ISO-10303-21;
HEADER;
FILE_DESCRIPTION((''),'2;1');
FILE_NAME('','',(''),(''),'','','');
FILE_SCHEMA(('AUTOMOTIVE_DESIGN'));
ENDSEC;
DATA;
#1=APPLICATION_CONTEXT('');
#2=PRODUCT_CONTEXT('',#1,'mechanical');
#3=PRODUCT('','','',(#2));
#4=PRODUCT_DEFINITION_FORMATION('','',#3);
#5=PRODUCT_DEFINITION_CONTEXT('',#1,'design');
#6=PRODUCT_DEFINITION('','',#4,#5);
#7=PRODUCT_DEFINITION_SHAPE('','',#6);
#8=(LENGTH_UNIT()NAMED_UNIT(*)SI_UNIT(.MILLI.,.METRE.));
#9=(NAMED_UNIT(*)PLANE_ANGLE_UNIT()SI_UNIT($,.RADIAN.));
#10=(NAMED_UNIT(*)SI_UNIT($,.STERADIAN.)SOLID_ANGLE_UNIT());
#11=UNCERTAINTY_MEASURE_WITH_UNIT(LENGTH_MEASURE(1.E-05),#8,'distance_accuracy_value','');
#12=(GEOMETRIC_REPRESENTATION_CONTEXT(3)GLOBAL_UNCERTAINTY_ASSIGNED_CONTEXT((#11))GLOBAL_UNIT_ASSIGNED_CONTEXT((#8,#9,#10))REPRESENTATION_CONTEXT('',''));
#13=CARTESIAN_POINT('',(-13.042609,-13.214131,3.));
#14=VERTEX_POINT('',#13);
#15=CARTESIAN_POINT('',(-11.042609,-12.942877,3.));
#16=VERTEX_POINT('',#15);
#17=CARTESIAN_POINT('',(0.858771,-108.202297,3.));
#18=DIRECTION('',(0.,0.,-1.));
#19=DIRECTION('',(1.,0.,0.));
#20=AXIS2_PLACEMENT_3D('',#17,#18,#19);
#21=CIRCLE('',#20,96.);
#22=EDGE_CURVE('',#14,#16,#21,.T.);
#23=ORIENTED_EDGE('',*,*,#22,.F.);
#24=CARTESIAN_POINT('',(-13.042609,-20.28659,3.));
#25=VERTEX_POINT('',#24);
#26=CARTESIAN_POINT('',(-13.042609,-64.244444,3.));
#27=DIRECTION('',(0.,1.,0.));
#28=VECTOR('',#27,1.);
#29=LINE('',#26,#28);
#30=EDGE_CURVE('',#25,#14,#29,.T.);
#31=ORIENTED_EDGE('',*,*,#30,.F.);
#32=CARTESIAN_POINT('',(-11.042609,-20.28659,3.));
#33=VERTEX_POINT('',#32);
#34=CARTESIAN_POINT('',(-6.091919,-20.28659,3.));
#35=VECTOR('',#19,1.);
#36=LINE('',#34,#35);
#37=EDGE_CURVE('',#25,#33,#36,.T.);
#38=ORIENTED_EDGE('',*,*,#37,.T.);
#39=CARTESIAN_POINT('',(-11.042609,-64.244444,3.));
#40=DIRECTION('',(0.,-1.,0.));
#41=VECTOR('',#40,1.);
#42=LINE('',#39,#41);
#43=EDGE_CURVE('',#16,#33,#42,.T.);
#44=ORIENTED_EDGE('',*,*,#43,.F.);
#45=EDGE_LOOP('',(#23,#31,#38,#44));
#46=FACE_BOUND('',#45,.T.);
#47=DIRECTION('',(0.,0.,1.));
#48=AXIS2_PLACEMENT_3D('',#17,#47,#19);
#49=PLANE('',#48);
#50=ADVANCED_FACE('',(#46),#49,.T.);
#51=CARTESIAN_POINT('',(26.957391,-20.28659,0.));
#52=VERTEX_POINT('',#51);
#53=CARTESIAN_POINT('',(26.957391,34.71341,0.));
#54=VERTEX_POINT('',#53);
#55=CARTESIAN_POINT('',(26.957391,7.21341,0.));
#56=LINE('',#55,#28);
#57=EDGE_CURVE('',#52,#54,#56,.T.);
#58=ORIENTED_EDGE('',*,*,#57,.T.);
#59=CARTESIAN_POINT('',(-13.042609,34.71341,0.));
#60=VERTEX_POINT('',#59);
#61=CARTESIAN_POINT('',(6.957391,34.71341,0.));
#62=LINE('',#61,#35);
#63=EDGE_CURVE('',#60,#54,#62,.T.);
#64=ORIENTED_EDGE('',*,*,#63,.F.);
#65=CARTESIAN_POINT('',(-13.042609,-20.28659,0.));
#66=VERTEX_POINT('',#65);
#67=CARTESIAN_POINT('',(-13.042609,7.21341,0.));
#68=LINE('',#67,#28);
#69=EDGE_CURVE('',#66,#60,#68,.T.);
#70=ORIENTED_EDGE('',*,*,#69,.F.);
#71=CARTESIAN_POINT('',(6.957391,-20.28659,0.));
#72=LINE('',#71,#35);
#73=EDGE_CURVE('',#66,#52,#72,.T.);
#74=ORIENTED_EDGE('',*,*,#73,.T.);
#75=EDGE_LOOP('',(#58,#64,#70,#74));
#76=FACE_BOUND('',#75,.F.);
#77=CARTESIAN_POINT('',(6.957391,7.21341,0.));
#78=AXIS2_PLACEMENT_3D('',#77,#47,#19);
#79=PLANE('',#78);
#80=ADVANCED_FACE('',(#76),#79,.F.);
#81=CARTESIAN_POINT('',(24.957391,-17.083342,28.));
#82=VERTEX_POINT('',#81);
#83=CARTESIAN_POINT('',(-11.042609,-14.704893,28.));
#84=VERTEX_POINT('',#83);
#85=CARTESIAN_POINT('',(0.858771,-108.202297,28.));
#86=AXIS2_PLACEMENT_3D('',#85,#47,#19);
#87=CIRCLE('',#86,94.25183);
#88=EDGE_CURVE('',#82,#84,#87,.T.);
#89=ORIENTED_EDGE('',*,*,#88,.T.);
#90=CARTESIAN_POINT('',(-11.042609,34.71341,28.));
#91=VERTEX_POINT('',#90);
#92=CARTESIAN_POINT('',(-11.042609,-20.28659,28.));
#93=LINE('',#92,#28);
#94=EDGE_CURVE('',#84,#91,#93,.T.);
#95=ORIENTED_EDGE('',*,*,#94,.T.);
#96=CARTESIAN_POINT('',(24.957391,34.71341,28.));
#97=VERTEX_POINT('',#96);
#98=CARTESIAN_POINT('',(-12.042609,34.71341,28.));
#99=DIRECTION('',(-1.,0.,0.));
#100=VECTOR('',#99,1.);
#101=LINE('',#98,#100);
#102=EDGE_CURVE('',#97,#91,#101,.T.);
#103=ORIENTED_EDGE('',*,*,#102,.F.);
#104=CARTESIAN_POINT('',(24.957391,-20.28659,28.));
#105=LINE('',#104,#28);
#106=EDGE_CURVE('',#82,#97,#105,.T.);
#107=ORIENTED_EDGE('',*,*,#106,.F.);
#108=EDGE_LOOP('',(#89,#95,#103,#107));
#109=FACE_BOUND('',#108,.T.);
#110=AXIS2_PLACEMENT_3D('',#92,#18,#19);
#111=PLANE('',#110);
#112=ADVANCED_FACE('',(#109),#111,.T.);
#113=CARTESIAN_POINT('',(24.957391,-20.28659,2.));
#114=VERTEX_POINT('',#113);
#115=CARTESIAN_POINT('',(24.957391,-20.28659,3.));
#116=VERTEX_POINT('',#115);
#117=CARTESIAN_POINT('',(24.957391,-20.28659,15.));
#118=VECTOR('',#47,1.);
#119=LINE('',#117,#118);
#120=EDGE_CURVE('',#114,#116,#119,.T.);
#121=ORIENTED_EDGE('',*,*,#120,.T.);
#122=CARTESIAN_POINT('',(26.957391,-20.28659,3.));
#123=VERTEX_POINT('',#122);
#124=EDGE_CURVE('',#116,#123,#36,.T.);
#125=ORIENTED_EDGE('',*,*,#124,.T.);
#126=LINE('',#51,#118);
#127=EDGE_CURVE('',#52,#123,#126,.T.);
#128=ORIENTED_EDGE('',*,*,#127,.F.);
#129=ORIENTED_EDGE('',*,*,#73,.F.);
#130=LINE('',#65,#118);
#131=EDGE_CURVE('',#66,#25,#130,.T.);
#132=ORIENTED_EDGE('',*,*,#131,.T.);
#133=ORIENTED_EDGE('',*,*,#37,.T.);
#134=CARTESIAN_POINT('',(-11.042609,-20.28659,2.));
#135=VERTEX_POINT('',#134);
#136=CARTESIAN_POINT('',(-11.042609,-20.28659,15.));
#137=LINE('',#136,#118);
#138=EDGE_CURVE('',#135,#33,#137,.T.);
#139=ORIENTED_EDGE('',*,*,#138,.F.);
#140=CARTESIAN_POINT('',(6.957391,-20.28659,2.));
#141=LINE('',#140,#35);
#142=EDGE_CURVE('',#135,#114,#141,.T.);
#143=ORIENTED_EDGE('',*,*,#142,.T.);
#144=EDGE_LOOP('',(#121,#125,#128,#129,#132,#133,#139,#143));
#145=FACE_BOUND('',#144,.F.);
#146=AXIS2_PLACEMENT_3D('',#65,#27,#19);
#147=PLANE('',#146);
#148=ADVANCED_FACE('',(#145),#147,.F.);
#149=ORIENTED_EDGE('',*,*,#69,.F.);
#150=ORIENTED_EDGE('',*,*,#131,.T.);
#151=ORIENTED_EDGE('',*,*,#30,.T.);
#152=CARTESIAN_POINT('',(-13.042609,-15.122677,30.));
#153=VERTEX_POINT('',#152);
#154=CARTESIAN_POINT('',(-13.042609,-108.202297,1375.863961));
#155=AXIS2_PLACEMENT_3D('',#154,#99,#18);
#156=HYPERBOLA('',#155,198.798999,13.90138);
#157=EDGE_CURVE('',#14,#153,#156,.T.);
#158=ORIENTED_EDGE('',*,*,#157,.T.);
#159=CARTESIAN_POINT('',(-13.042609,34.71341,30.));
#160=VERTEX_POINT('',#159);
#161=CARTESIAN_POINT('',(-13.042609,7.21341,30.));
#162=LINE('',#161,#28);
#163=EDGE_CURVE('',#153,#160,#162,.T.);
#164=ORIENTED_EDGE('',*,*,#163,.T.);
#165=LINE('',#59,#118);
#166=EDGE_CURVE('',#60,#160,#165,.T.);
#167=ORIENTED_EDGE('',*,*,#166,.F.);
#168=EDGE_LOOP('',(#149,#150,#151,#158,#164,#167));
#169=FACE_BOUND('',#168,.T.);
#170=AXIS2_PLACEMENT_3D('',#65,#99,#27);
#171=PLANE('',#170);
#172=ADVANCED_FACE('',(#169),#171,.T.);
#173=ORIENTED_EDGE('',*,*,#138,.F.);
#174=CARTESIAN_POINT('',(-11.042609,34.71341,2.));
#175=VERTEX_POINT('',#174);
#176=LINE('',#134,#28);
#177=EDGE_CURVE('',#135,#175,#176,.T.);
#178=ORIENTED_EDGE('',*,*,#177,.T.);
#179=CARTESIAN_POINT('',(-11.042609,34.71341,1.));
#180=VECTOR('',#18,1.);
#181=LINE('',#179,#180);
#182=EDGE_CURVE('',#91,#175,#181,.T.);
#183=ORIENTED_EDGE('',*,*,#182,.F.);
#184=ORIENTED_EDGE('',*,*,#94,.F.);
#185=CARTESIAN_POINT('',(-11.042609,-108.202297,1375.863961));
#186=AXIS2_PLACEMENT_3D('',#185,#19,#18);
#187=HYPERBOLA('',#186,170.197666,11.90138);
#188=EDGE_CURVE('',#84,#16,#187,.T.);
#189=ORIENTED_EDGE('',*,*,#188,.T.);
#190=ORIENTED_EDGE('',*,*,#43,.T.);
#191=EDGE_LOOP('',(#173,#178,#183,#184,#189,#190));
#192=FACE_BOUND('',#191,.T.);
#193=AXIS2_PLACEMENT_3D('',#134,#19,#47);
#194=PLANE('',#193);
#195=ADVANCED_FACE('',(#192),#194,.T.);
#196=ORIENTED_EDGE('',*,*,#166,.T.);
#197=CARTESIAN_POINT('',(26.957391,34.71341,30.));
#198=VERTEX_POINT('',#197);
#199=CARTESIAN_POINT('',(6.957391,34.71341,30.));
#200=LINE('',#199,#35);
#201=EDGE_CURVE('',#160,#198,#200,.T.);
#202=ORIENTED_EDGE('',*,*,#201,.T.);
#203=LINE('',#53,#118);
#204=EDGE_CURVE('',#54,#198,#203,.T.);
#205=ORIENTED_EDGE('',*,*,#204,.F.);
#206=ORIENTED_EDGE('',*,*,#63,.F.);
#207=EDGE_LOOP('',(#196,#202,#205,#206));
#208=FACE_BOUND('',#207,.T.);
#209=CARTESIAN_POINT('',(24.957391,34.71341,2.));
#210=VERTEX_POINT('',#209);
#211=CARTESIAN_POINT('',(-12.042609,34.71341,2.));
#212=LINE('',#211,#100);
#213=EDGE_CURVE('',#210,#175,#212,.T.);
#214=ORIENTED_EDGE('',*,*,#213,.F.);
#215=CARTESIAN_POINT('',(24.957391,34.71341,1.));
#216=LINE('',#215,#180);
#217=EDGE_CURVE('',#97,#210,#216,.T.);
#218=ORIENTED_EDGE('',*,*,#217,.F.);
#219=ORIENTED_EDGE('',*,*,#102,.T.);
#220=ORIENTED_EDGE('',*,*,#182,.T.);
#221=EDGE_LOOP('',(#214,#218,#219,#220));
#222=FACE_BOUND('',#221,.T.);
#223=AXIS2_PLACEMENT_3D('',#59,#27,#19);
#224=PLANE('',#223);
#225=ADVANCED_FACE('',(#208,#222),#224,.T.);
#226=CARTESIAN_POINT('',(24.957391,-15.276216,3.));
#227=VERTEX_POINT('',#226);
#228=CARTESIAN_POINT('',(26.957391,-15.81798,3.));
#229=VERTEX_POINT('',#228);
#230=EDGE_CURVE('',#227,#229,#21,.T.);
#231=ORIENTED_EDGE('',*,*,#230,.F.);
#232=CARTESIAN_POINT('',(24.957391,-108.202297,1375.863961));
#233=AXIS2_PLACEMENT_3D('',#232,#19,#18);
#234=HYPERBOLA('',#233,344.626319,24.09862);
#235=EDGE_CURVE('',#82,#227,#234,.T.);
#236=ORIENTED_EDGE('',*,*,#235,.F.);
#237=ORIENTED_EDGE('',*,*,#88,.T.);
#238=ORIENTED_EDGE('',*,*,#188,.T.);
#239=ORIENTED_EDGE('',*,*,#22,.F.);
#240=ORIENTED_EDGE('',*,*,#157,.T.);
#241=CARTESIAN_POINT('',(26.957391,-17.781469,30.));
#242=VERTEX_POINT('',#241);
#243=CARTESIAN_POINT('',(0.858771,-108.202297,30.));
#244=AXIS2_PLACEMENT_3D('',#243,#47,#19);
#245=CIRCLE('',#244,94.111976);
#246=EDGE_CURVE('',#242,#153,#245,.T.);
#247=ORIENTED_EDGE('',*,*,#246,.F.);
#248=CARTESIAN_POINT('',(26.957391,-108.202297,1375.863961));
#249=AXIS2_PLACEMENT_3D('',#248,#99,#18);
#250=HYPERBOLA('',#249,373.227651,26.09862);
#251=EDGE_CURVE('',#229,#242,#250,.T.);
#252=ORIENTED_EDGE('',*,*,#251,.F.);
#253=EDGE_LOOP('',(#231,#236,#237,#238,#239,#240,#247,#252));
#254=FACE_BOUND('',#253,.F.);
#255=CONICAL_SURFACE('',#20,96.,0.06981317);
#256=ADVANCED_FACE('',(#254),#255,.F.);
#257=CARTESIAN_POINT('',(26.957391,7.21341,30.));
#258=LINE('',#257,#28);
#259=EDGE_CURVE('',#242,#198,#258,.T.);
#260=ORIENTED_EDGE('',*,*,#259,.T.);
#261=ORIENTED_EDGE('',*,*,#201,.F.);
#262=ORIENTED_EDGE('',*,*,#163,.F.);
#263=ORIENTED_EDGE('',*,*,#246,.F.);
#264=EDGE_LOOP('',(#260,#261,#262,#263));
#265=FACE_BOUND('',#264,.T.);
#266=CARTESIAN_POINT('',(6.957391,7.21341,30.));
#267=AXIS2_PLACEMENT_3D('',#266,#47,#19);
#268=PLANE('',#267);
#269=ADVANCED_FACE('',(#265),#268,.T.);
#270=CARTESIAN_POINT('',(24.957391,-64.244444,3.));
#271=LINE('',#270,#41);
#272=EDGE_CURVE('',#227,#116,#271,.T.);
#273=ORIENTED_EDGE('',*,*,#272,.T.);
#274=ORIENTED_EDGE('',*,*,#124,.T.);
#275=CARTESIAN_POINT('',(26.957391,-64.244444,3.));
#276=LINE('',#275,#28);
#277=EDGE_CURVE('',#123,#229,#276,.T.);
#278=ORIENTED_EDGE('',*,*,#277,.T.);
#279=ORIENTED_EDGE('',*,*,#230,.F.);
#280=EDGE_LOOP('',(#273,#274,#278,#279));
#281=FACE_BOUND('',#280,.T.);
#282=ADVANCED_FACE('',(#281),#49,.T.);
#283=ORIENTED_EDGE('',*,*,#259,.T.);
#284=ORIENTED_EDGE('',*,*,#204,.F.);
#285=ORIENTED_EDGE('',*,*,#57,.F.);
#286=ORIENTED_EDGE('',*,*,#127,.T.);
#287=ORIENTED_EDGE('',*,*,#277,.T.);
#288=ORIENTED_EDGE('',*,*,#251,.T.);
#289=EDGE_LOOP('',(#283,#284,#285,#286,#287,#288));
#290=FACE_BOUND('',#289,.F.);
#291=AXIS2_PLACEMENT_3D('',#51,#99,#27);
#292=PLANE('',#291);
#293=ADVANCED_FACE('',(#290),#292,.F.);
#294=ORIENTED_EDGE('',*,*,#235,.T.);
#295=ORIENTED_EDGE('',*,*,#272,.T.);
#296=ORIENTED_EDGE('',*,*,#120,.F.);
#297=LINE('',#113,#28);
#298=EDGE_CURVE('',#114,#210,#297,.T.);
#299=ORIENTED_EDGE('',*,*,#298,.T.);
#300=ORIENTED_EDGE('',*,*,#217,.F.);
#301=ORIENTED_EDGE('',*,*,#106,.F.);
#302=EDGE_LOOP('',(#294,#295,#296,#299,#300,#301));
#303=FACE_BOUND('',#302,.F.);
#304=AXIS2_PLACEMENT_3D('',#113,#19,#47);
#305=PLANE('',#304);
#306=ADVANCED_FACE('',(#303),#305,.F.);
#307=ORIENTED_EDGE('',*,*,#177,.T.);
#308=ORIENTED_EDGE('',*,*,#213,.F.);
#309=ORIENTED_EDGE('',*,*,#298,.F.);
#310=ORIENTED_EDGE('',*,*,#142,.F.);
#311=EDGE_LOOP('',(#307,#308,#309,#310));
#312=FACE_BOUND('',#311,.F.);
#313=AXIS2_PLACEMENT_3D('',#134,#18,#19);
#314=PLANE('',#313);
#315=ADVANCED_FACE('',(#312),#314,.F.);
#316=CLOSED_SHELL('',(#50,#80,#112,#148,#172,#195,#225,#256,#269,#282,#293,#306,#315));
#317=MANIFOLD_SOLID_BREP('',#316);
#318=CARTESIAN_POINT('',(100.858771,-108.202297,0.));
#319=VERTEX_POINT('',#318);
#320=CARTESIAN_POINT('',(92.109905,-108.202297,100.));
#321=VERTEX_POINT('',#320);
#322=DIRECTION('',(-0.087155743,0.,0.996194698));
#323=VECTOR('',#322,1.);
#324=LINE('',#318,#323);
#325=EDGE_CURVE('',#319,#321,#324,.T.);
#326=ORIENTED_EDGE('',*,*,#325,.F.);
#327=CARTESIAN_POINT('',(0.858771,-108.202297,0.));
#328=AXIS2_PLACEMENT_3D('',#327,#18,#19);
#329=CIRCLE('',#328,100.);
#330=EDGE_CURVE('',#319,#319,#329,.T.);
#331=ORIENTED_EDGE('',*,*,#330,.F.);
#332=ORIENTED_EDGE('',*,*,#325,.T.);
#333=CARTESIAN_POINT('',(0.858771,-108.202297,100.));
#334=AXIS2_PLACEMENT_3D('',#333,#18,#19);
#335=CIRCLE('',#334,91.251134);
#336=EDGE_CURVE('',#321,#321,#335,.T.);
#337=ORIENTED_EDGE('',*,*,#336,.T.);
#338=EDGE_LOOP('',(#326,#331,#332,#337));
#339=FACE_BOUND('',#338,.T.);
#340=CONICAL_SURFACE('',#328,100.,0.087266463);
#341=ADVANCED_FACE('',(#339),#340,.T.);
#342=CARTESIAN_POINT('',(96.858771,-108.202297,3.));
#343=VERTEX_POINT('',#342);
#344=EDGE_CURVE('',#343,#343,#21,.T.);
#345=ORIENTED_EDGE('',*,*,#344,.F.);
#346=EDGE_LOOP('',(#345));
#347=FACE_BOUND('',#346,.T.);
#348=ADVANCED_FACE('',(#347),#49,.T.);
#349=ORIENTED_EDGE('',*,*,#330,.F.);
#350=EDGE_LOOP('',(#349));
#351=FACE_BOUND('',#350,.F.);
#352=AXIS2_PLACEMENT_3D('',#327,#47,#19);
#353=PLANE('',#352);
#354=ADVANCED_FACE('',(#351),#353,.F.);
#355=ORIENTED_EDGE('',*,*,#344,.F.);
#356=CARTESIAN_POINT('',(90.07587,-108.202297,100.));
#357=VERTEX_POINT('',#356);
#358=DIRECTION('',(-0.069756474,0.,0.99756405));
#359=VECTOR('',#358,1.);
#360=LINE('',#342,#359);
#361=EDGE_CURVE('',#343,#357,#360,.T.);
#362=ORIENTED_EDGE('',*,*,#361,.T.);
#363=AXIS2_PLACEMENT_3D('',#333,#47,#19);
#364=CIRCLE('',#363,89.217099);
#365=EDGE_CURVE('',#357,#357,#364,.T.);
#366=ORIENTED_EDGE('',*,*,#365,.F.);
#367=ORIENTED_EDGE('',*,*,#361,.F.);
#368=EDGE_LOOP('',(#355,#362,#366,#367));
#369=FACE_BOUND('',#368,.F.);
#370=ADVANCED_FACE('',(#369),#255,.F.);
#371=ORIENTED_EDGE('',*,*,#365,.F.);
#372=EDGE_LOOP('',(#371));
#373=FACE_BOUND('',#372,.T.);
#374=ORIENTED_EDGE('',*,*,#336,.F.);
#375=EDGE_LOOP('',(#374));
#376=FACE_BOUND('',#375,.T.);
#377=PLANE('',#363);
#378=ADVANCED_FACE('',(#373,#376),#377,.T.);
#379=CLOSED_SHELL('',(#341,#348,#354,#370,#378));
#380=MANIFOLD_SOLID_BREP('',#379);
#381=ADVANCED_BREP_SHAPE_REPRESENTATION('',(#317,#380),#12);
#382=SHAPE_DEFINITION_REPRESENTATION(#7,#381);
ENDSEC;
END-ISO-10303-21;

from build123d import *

# Parameters (mm, degrees)
F0_W          = 40
F0_H          = 55
F1_DEPTH      = 30
F2_W          = 36
F2_H          = 26
F3_DEPTH      = 189.1
F3_DEPTH_BACK = 48.4
F4_R          = 100
F5_DEPTH      = 100
F5_TAPER      = 5
F8_R          = 96
F9_DEPTH      = 100
F9_TAPER      = 4


with BuildPart() as f1:
    # F0 (on Top) → F1 (new body)
    with BuildSketch(Plane.XY):
        with Locations((6.9573908113, 20.1134101001)):
            Rectangle(F0_W, F0_H)
    extrude(amount=F1_DEPTH)

    # F2 (on face) → F3 (cut, two sides)
    with BuildSketch(Plane.XZ.offset(7.3865898999)) as f3_sk:
        with Locations((6.9573908113, 15)):
            Rectangle(F2_W, F2_H)
    extrude(amount=-F3_DEPTH, mode=Mode.SUBTRACT)
    extrude(f3_sk.sketch, amount=F3_DEPTH_BACK, mode=Mode.SUBTRACT)


with BuildPart() as f5:
    # F4 (on Top) → F5 (new body)
    with BuildSketch(Plane.XY):
        with Locations((0.8587710145, -108.2022971908)):
            Circle(F4_R)
    extrude(amount=F5_DEPTH, taper=F5_TAPER)


with BuildPart() as f1_1:
    # F6: moved
    add(f1.part.moved(Location((0, -12.9, 0))))


with BuildPart() as f9_tool:
    # F8 (on offset) → F9 (new body)
    with BuildSketch(Plane.XY.offset(3)):
        with Locations((0.8587710145, -108.2022971908)):
            Circle(F8_R)
    extrude(amount=F9_DEPTH, taper=F9_TAPER)


with BuildPart() as f1_2:
    add(f1_1.part)

    # F9: cut by f9_tool
    add(f9_tool.part, mode=Mode.SUBTRACT)


with BuildPart() as f5_1:
    add(f5.part)

    # F9: cut by f9_tool
    add(f9_tool.part, mode=Mode.SUBTRACT)


solid = Compound([f1_2.part, f5_1.part])
